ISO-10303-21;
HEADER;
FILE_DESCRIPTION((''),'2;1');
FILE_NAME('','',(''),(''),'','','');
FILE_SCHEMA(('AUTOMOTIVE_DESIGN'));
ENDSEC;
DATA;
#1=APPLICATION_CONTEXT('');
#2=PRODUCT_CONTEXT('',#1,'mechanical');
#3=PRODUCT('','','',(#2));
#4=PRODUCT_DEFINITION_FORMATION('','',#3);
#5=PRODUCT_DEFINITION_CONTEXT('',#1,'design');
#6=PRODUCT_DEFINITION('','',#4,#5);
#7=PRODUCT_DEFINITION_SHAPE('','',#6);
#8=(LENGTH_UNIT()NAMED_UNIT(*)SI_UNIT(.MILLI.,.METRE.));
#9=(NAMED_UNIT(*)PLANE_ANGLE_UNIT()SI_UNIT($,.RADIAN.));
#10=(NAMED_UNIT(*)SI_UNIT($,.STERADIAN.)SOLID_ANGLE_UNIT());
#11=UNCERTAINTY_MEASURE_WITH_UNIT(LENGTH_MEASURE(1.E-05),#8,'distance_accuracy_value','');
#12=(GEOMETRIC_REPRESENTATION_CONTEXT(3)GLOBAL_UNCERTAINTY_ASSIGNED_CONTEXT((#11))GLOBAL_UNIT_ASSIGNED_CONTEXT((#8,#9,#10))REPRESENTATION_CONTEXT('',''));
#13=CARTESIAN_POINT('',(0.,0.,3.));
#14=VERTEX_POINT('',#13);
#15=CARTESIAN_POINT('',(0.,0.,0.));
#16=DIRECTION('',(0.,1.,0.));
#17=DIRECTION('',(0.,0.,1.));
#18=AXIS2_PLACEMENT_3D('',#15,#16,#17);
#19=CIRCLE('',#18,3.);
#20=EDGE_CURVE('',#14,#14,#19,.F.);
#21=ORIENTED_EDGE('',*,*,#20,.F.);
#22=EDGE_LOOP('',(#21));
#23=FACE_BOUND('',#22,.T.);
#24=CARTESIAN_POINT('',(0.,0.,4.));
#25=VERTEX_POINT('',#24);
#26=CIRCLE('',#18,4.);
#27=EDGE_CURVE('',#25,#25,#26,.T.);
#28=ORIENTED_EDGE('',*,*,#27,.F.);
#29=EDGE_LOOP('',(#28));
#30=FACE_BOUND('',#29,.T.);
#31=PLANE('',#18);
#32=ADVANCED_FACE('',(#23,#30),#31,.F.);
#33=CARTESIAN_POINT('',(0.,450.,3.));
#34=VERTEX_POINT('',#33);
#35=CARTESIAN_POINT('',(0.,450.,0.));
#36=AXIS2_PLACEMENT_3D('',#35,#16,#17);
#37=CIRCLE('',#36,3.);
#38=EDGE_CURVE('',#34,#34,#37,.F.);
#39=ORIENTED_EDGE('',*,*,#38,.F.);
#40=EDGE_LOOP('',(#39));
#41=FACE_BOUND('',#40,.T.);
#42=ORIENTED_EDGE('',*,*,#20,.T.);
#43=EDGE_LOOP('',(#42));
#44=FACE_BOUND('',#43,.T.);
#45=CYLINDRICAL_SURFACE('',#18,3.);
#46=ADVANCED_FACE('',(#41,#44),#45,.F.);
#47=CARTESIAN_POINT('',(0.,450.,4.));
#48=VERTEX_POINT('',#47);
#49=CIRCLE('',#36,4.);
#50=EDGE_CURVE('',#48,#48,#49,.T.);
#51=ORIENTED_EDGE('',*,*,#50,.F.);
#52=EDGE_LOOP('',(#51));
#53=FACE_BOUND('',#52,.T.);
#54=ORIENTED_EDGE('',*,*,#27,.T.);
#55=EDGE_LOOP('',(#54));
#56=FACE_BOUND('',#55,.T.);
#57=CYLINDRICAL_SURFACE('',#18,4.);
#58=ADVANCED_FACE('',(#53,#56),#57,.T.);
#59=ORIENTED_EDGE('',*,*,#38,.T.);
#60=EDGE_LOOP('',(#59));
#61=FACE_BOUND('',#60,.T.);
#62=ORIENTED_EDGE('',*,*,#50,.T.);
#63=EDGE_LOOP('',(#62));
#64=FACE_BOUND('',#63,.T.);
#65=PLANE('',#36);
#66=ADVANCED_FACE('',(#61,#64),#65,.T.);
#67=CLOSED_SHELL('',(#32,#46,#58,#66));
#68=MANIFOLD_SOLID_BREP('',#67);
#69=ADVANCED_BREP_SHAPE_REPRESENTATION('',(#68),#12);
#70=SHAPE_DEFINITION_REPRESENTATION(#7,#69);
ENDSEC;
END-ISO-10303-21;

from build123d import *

# Parameters (mm, degrees)
SKETCH2_R   = 4
SKETCH2_R_2 = 3


with BuildPart() as part:
    # Sweep1: sweep along a path in Sketch1
    with BuildLine(Plane.XY) as sweep1_path:
        Line((0, 0), (0, 450))
    # Sketch2 → Sweep1 (sweep)
    with BuildSketch(Plane(origin=(0, 0, 0), x_dir=(1, 0, 0), z_dir=(0, 1, 0))):
        Circle(SKETCH2_R)
        Circle(SKETCH2_R_2, mode=Mode.SUBTRACT)
    sweep(path=sweep1_path.line)


solid = part.part
